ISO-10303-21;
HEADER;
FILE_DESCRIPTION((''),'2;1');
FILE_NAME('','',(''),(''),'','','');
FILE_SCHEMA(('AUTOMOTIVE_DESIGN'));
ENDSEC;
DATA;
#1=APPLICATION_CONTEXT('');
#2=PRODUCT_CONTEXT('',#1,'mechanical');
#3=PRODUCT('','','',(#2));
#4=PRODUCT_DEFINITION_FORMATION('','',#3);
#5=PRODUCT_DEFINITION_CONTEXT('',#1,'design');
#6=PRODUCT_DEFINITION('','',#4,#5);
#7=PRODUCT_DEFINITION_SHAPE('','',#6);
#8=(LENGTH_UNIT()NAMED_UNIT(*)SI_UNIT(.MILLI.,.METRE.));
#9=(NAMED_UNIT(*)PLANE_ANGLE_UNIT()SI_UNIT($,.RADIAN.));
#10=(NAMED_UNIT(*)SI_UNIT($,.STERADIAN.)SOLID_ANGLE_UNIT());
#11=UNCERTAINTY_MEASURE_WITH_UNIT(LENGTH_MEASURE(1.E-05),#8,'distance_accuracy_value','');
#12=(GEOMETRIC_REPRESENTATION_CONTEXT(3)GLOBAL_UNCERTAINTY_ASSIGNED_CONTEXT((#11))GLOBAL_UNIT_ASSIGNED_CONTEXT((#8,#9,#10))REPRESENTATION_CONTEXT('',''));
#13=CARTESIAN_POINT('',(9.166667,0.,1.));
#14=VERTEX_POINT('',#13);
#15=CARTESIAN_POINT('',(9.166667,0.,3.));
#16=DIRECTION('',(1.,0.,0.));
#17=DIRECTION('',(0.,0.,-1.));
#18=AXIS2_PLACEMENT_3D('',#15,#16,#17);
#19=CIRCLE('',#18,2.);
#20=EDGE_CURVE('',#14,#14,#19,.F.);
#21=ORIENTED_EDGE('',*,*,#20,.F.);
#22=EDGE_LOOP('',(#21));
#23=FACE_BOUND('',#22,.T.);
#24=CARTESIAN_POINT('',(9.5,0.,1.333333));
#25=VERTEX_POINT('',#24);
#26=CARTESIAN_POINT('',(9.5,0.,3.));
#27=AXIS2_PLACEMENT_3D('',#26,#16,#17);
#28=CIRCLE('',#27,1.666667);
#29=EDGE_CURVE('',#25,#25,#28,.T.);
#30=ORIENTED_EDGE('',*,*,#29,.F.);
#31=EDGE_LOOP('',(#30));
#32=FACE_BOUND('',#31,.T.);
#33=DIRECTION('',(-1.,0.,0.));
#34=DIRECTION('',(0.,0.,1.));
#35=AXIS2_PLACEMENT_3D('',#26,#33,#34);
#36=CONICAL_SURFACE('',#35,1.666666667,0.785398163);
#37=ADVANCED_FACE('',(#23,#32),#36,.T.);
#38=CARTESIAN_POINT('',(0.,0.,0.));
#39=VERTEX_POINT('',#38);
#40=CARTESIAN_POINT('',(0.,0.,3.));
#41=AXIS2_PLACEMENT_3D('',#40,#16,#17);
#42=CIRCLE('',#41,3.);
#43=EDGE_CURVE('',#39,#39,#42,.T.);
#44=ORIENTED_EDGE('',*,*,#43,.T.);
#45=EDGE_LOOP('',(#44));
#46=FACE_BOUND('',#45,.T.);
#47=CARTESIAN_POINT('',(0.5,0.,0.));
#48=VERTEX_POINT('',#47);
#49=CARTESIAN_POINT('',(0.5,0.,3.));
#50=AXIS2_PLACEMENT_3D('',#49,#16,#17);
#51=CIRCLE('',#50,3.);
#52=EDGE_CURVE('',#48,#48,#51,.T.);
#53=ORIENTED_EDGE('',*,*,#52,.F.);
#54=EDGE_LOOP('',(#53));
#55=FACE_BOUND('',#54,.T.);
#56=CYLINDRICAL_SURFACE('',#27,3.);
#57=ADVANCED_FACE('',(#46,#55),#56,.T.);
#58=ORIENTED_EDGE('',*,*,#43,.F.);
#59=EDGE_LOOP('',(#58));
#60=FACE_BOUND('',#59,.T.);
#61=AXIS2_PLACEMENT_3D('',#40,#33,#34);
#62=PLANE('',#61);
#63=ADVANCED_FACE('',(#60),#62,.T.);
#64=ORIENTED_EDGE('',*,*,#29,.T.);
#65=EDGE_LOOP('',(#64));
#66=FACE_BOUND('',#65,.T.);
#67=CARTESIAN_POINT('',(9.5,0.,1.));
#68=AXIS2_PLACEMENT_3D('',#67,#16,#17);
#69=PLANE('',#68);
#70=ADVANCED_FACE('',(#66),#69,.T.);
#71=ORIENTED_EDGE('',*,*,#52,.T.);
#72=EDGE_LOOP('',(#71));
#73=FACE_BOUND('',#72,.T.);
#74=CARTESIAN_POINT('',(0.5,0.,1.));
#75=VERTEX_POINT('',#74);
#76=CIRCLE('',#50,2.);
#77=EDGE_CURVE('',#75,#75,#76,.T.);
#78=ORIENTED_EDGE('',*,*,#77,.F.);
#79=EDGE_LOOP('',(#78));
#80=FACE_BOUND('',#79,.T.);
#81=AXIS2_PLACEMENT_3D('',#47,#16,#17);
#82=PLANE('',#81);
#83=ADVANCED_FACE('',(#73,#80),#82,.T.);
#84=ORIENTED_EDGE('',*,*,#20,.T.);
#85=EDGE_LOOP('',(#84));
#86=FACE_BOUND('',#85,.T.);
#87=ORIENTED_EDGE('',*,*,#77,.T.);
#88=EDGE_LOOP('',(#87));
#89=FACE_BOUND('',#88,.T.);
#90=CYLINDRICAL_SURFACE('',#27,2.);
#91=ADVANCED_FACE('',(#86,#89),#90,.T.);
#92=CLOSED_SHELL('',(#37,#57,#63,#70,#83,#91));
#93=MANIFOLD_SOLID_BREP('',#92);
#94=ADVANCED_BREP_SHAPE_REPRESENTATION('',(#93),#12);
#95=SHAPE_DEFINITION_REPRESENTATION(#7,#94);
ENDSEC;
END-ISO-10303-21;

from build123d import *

# Parameters (mm, degrees)
CHAMFER5_SIZE = 0.333333333


with BuildPart() as part:
    # Sketch1 → Revolve1 (revolve)
    with BuildSketch(Plane(origin=(0, 0, 0), x_dir=(1, 0, 0), z_dir=(0, 1, 0))):
        Polygon((0, 0), (0.5, 0), (0.5, -1), (9.5, -1), (9.5, -3), (0, -3), align=None)
    revolve(axis=Axis((9.5, 0, 3), (-1, 0, 0)))

    # Chamfer5
    chamfer5_edges = [part.edges().sort_by_distance(p)[0] for p in [
        (9.5, 0, 5),
    ]]
    chamfer(chamfer5_edges, length=CHAMFER5_SIZE)


solid = part.part
